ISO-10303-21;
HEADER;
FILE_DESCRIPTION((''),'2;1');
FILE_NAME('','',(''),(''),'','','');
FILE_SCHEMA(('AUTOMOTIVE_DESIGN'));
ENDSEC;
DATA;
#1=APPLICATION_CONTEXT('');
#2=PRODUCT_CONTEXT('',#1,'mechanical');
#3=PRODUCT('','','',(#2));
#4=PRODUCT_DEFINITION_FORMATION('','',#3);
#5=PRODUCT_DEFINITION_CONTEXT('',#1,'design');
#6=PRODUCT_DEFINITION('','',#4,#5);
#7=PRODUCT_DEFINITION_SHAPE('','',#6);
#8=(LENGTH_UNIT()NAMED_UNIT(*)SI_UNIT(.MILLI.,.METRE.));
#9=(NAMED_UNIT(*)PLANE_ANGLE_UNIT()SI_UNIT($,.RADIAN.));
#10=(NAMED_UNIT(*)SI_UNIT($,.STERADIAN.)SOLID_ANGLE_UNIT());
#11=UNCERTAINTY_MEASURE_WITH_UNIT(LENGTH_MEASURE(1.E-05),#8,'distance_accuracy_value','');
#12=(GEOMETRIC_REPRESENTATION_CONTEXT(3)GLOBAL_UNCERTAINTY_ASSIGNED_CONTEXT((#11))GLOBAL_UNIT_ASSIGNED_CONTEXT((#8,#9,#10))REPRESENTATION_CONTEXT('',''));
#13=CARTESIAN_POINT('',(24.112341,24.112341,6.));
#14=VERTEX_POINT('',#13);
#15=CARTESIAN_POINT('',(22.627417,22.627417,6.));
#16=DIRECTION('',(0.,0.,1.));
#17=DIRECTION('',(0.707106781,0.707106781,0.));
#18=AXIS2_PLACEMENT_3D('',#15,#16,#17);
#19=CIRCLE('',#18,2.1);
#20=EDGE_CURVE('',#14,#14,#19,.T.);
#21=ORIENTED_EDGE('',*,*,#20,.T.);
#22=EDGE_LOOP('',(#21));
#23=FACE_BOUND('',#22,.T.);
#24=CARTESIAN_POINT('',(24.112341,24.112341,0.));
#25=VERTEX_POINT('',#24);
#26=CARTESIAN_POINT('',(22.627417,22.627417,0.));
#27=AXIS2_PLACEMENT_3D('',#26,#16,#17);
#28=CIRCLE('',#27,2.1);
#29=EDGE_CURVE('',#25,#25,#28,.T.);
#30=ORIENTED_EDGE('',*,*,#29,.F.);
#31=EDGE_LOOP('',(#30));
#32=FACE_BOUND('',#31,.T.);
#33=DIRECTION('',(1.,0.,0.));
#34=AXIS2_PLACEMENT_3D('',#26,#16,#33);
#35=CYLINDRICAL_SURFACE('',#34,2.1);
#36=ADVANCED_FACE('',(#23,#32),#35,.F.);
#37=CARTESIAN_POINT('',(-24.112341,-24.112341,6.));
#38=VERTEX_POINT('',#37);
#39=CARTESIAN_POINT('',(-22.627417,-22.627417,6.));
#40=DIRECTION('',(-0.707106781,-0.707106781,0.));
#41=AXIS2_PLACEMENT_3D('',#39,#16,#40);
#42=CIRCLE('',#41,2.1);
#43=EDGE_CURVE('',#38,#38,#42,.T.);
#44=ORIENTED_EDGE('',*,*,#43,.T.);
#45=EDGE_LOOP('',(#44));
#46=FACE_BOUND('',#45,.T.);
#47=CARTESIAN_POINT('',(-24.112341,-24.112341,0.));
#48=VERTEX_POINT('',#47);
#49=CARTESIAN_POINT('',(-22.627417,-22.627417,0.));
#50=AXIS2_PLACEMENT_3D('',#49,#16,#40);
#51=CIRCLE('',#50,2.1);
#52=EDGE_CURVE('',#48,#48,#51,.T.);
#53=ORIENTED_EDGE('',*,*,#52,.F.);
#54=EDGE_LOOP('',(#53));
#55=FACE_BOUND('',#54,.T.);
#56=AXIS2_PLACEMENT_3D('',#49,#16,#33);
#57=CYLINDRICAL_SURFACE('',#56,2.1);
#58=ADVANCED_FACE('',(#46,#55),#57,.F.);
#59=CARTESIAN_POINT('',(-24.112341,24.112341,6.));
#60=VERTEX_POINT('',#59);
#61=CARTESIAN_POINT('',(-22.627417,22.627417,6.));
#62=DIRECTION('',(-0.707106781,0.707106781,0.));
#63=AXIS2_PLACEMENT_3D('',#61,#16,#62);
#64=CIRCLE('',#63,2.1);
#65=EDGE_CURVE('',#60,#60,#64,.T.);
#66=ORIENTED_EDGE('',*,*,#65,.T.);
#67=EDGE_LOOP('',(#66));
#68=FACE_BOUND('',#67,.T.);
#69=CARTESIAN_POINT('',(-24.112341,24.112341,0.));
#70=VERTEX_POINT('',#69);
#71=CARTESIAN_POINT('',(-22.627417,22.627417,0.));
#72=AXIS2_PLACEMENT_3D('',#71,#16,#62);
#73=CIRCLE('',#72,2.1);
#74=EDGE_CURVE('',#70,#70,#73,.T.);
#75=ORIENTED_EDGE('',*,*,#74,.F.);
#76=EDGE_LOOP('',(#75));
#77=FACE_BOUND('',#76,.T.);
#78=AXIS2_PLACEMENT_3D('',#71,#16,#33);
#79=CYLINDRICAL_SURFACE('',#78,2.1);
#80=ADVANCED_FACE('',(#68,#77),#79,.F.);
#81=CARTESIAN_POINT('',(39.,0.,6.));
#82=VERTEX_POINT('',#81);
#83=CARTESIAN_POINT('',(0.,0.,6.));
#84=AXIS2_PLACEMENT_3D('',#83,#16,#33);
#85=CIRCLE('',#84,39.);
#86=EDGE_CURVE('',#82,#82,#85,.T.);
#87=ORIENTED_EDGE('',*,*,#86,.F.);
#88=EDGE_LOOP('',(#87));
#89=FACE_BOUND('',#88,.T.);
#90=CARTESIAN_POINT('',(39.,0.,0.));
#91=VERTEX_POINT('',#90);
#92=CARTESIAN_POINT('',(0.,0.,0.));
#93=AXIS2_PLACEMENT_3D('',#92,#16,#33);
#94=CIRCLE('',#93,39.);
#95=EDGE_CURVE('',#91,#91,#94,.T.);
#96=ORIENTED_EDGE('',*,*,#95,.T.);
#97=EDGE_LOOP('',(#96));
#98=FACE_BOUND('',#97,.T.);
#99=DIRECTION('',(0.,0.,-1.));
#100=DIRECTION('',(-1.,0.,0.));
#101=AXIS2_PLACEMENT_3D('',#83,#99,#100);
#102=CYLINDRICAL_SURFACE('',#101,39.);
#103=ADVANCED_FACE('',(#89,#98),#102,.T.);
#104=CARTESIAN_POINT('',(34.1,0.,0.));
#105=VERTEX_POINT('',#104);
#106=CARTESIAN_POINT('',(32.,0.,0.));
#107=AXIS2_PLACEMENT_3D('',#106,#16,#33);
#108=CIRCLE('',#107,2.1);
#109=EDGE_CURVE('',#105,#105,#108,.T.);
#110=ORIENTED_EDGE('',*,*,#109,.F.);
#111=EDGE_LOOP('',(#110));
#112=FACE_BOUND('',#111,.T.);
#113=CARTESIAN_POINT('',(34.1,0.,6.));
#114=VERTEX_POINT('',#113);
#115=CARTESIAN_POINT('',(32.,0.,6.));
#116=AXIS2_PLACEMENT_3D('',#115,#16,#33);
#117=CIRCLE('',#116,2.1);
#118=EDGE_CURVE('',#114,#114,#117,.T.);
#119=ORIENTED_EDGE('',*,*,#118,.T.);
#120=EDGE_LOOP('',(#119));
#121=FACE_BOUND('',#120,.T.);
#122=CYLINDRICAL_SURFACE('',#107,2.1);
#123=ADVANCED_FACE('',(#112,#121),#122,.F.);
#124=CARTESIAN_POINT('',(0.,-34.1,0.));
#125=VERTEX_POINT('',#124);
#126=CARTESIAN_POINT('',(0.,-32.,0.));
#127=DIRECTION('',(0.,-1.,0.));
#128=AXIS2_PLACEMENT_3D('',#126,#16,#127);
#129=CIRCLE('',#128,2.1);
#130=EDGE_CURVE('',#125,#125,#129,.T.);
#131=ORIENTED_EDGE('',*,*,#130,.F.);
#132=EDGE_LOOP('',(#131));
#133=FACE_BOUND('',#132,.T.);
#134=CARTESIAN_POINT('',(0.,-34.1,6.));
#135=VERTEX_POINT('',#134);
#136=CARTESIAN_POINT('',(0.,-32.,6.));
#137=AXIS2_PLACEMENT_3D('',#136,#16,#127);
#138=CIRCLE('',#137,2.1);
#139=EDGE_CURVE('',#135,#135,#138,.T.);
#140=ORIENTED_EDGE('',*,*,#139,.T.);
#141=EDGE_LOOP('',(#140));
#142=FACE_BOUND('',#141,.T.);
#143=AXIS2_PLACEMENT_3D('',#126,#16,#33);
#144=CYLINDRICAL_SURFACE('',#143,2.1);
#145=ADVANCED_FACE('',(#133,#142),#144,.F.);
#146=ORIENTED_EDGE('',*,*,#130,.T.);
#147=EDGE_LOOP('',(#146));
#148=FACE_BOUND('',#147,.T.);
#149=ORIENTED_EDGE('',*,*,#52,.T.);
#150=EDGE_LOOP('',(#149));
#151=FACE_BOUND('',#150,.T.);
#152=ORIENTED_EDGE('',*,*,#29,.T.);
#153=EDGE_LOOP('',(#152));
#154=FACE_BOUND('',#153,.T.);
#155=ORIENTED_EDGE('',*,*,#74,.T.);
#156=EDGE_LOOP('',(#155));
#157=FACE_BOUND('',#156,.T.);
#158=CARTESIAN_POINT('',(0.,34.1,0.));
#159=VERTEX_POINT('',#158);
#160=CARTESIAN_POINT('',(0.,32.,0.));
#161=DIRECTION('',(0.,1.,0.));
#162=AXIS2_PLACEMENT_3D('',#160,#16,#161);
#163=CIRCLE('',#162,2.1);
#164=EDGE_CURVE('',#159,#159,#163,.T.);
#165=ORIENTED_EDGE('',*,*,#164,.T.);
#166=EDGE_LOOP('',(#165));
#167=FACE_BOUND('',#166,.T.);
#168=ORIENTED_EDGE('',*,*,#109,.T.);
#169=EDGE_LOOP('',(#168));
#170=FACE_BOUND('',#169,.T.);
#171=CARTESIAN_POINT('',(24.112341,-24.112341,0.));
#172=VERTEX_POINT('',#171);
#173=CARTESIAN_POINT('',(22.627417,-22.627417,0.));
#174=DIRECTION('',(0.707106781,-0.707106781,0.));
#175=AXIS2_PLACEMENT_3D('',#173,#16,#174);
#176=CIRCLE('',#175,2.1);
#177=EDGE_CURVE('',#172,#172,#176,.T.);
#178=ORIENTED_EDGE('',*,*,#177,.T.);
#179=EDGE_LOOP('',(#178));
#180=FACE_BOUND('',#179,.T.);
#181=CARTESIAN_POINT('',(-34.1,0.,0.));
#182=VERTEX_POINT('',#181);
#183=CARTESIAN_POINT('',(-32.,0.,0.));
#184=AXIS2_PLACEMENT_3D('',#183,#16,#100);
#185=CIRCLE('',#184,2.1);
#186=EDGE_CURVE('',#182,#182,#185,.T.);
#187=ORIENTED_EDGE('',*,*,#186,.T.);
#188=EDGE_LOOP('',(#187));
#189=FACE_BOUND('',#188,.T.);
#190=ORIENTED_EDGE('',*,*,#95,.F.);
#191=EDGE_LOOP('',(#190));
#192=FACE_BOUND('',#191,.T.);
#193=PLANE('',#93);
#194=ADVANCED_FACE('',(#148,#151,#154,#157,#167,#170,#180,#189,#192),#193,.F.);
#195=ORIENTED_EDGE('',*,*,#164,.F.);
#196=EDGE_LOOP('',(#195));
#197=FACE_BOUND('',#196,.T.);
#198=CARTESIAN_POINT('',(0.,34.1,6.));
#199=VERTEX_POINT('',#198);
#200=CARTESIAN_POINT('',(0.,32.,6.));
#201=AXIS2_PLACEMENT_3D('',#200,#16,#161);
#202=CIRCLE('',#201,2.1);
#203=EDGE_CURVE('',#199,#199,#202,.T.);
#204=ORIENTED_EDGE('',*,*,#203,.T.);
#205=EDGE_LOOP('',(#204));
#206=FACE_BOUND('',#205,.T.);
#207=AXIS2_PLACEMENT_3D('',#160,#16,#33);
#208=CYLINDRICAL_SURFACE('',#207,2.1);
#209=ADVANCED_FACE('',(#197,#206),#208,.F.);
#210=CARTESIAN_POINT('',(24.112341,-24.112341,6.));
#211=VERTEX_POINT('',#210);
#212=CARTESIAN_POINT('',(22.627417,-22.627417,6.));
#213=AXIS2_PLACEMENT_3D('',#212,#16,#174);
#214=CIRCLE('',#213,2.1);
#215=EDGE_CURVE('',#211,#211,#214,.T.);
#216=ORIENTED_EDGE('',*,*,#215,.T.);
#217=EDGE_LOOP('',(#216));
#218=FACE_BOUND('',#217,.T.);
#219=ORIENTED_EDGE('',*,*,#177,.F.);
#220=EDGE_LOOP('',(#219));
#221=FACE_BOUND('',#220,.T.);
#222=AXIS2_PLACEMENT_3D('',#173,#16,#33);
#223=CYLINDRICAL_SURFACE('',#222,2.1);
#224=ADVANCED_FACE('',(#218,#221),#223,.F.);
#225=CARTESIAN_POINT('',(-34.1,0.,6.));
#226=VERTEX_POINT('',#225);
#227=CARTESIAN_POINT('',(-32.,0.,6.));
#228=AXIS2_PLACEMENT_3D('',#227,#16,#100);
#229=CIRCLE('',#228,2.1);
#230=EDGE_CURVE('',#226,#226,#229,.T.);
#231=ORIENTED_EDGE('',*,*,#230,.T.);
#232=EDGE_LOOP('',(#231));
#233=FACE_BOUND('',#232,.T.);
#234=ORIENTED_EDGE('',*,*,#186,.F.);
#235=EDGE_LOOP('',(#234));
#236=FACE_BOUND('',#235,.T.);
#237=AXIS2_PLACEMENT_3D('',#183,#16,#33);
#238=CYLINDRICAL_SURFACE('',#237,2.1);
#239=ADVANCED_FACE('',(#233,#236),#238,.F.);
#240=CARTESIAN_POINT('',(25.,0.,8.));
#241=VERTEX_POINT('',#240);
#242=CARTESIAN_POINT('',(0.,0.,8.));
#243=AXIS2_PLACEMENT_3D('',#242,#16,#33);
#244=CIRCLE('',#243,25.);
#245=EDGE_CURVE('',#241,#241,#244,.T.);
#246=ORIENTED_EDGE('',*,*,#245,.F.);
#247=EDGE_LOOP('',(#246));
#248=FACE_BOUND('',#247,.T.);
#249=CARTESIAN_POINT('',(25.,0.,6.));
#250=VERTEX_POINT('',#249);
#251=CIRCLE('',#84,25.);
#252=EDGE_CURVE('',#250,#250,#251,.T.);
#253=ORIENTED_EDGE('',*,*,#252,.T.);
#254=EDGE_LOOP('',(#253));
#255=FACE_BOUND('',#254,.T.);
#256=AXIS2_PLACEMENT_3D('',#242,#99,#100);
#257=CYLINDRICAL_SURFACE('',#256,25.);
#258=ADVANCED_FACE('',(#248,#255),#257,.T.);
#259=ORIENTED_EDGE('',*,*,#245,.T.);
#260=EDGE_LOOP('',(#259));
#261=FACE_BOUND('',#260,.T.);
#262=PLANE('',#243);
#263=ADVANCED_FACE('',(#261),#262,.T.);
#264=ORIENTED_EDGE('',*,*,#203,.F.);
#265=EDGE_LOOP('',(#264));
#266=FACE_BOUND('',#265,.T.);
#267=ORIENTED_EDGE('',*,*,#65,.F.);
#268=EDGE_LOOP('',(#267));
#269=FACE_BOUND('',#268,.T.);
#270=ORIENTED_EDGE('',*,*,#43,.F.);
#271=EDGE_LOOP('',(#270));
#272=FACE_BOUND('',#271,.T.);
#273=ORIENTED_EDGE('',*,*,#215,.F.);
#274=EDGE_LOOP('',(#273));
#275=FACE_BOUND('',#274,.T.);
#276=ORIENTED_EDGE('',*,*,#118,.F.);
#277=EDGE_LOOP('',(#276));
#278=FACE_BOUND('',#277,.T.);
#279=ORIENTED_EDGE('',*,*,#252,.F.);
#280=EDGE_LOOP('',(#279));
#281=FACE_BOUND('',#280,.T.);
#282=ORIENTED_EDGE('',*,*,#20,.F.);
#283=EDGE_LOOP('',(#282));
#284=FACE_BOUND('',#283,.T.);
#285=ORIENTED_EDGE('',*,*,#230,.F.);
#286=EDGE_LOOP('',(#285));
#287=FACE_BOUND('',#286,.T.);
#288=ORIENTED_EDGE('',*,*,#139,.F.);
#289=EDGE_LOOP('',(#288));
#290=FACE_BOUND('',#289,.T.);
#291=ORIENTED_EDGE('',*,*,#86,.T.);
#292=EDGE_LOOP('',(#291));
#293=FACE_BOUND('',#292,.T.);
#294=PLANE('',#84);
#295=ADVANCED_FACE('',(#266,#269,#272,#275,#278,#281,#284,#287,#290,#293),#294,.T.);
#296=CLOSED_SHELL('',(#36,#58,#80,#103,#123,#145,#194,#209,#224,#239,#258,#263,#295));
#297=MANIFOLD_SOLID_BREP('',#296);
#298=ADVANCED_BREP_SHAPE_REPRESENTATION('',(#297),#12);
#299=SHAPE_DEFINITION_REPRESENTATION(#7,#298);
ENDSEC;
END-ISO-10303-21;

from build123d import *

# Parameters (mm, degrees)
SK_DISC_R                 = 39
OUTPUT_DISC_DEPTH         = 6
SK_PILOT_R                = 25
PILOT_BOSS_DEPTH          = 2
SK_OUTHOLE_R              = 2.1
OUTPUT_TAPPED_HOLE_DEPTH  = 6
OUTPUT_HOLE_PATTERN_COUNT = 8


with BuildPart() as part:
    # SK_Disc → Output_Disc (new body)
    with BuildSketch(Plane.XY):
        Circle(SK_DISC_R)
    extrude(amount=OUTPUT_DISC_DEPTH)

    # SK_Pilot → Pilot_Boss (add)
    with BuildSketch(Plane.XY.offset(6)):
        Circle(SK_PILOT_R)
    extrude(amount=PILOT_BOSS_DEPTH)

    # SK_OutHole → Output_Tapped_Hole (cut)
    with BuildSketch(Plane.XY.offset(6)):
        with Locations((32, 0)):
            Circle(SK_OUTHOLE_R)
    output_tapped_hole = extrude(amount=-OUTPUT_TAPPED_HOLE_DEPTH, mode=Mode.SUBTRACT)

    # Output_Hole_Pattern: Output_Tapped_Hole ×8 about axis
    output_hole_pattern_axis = Axis((0, 0, -0.4), (0, 0, 1))
    for i in range(1, OUTPUT_HOLE_PATTERN_COUNT):
        add(output_tapped_hole.rotate(output_hole_pattern_axis, i * 360 / OUTPUT_HOLE_PATTERN_COUNT), mode=Mode.SUBTRACT)


solid = part.part
